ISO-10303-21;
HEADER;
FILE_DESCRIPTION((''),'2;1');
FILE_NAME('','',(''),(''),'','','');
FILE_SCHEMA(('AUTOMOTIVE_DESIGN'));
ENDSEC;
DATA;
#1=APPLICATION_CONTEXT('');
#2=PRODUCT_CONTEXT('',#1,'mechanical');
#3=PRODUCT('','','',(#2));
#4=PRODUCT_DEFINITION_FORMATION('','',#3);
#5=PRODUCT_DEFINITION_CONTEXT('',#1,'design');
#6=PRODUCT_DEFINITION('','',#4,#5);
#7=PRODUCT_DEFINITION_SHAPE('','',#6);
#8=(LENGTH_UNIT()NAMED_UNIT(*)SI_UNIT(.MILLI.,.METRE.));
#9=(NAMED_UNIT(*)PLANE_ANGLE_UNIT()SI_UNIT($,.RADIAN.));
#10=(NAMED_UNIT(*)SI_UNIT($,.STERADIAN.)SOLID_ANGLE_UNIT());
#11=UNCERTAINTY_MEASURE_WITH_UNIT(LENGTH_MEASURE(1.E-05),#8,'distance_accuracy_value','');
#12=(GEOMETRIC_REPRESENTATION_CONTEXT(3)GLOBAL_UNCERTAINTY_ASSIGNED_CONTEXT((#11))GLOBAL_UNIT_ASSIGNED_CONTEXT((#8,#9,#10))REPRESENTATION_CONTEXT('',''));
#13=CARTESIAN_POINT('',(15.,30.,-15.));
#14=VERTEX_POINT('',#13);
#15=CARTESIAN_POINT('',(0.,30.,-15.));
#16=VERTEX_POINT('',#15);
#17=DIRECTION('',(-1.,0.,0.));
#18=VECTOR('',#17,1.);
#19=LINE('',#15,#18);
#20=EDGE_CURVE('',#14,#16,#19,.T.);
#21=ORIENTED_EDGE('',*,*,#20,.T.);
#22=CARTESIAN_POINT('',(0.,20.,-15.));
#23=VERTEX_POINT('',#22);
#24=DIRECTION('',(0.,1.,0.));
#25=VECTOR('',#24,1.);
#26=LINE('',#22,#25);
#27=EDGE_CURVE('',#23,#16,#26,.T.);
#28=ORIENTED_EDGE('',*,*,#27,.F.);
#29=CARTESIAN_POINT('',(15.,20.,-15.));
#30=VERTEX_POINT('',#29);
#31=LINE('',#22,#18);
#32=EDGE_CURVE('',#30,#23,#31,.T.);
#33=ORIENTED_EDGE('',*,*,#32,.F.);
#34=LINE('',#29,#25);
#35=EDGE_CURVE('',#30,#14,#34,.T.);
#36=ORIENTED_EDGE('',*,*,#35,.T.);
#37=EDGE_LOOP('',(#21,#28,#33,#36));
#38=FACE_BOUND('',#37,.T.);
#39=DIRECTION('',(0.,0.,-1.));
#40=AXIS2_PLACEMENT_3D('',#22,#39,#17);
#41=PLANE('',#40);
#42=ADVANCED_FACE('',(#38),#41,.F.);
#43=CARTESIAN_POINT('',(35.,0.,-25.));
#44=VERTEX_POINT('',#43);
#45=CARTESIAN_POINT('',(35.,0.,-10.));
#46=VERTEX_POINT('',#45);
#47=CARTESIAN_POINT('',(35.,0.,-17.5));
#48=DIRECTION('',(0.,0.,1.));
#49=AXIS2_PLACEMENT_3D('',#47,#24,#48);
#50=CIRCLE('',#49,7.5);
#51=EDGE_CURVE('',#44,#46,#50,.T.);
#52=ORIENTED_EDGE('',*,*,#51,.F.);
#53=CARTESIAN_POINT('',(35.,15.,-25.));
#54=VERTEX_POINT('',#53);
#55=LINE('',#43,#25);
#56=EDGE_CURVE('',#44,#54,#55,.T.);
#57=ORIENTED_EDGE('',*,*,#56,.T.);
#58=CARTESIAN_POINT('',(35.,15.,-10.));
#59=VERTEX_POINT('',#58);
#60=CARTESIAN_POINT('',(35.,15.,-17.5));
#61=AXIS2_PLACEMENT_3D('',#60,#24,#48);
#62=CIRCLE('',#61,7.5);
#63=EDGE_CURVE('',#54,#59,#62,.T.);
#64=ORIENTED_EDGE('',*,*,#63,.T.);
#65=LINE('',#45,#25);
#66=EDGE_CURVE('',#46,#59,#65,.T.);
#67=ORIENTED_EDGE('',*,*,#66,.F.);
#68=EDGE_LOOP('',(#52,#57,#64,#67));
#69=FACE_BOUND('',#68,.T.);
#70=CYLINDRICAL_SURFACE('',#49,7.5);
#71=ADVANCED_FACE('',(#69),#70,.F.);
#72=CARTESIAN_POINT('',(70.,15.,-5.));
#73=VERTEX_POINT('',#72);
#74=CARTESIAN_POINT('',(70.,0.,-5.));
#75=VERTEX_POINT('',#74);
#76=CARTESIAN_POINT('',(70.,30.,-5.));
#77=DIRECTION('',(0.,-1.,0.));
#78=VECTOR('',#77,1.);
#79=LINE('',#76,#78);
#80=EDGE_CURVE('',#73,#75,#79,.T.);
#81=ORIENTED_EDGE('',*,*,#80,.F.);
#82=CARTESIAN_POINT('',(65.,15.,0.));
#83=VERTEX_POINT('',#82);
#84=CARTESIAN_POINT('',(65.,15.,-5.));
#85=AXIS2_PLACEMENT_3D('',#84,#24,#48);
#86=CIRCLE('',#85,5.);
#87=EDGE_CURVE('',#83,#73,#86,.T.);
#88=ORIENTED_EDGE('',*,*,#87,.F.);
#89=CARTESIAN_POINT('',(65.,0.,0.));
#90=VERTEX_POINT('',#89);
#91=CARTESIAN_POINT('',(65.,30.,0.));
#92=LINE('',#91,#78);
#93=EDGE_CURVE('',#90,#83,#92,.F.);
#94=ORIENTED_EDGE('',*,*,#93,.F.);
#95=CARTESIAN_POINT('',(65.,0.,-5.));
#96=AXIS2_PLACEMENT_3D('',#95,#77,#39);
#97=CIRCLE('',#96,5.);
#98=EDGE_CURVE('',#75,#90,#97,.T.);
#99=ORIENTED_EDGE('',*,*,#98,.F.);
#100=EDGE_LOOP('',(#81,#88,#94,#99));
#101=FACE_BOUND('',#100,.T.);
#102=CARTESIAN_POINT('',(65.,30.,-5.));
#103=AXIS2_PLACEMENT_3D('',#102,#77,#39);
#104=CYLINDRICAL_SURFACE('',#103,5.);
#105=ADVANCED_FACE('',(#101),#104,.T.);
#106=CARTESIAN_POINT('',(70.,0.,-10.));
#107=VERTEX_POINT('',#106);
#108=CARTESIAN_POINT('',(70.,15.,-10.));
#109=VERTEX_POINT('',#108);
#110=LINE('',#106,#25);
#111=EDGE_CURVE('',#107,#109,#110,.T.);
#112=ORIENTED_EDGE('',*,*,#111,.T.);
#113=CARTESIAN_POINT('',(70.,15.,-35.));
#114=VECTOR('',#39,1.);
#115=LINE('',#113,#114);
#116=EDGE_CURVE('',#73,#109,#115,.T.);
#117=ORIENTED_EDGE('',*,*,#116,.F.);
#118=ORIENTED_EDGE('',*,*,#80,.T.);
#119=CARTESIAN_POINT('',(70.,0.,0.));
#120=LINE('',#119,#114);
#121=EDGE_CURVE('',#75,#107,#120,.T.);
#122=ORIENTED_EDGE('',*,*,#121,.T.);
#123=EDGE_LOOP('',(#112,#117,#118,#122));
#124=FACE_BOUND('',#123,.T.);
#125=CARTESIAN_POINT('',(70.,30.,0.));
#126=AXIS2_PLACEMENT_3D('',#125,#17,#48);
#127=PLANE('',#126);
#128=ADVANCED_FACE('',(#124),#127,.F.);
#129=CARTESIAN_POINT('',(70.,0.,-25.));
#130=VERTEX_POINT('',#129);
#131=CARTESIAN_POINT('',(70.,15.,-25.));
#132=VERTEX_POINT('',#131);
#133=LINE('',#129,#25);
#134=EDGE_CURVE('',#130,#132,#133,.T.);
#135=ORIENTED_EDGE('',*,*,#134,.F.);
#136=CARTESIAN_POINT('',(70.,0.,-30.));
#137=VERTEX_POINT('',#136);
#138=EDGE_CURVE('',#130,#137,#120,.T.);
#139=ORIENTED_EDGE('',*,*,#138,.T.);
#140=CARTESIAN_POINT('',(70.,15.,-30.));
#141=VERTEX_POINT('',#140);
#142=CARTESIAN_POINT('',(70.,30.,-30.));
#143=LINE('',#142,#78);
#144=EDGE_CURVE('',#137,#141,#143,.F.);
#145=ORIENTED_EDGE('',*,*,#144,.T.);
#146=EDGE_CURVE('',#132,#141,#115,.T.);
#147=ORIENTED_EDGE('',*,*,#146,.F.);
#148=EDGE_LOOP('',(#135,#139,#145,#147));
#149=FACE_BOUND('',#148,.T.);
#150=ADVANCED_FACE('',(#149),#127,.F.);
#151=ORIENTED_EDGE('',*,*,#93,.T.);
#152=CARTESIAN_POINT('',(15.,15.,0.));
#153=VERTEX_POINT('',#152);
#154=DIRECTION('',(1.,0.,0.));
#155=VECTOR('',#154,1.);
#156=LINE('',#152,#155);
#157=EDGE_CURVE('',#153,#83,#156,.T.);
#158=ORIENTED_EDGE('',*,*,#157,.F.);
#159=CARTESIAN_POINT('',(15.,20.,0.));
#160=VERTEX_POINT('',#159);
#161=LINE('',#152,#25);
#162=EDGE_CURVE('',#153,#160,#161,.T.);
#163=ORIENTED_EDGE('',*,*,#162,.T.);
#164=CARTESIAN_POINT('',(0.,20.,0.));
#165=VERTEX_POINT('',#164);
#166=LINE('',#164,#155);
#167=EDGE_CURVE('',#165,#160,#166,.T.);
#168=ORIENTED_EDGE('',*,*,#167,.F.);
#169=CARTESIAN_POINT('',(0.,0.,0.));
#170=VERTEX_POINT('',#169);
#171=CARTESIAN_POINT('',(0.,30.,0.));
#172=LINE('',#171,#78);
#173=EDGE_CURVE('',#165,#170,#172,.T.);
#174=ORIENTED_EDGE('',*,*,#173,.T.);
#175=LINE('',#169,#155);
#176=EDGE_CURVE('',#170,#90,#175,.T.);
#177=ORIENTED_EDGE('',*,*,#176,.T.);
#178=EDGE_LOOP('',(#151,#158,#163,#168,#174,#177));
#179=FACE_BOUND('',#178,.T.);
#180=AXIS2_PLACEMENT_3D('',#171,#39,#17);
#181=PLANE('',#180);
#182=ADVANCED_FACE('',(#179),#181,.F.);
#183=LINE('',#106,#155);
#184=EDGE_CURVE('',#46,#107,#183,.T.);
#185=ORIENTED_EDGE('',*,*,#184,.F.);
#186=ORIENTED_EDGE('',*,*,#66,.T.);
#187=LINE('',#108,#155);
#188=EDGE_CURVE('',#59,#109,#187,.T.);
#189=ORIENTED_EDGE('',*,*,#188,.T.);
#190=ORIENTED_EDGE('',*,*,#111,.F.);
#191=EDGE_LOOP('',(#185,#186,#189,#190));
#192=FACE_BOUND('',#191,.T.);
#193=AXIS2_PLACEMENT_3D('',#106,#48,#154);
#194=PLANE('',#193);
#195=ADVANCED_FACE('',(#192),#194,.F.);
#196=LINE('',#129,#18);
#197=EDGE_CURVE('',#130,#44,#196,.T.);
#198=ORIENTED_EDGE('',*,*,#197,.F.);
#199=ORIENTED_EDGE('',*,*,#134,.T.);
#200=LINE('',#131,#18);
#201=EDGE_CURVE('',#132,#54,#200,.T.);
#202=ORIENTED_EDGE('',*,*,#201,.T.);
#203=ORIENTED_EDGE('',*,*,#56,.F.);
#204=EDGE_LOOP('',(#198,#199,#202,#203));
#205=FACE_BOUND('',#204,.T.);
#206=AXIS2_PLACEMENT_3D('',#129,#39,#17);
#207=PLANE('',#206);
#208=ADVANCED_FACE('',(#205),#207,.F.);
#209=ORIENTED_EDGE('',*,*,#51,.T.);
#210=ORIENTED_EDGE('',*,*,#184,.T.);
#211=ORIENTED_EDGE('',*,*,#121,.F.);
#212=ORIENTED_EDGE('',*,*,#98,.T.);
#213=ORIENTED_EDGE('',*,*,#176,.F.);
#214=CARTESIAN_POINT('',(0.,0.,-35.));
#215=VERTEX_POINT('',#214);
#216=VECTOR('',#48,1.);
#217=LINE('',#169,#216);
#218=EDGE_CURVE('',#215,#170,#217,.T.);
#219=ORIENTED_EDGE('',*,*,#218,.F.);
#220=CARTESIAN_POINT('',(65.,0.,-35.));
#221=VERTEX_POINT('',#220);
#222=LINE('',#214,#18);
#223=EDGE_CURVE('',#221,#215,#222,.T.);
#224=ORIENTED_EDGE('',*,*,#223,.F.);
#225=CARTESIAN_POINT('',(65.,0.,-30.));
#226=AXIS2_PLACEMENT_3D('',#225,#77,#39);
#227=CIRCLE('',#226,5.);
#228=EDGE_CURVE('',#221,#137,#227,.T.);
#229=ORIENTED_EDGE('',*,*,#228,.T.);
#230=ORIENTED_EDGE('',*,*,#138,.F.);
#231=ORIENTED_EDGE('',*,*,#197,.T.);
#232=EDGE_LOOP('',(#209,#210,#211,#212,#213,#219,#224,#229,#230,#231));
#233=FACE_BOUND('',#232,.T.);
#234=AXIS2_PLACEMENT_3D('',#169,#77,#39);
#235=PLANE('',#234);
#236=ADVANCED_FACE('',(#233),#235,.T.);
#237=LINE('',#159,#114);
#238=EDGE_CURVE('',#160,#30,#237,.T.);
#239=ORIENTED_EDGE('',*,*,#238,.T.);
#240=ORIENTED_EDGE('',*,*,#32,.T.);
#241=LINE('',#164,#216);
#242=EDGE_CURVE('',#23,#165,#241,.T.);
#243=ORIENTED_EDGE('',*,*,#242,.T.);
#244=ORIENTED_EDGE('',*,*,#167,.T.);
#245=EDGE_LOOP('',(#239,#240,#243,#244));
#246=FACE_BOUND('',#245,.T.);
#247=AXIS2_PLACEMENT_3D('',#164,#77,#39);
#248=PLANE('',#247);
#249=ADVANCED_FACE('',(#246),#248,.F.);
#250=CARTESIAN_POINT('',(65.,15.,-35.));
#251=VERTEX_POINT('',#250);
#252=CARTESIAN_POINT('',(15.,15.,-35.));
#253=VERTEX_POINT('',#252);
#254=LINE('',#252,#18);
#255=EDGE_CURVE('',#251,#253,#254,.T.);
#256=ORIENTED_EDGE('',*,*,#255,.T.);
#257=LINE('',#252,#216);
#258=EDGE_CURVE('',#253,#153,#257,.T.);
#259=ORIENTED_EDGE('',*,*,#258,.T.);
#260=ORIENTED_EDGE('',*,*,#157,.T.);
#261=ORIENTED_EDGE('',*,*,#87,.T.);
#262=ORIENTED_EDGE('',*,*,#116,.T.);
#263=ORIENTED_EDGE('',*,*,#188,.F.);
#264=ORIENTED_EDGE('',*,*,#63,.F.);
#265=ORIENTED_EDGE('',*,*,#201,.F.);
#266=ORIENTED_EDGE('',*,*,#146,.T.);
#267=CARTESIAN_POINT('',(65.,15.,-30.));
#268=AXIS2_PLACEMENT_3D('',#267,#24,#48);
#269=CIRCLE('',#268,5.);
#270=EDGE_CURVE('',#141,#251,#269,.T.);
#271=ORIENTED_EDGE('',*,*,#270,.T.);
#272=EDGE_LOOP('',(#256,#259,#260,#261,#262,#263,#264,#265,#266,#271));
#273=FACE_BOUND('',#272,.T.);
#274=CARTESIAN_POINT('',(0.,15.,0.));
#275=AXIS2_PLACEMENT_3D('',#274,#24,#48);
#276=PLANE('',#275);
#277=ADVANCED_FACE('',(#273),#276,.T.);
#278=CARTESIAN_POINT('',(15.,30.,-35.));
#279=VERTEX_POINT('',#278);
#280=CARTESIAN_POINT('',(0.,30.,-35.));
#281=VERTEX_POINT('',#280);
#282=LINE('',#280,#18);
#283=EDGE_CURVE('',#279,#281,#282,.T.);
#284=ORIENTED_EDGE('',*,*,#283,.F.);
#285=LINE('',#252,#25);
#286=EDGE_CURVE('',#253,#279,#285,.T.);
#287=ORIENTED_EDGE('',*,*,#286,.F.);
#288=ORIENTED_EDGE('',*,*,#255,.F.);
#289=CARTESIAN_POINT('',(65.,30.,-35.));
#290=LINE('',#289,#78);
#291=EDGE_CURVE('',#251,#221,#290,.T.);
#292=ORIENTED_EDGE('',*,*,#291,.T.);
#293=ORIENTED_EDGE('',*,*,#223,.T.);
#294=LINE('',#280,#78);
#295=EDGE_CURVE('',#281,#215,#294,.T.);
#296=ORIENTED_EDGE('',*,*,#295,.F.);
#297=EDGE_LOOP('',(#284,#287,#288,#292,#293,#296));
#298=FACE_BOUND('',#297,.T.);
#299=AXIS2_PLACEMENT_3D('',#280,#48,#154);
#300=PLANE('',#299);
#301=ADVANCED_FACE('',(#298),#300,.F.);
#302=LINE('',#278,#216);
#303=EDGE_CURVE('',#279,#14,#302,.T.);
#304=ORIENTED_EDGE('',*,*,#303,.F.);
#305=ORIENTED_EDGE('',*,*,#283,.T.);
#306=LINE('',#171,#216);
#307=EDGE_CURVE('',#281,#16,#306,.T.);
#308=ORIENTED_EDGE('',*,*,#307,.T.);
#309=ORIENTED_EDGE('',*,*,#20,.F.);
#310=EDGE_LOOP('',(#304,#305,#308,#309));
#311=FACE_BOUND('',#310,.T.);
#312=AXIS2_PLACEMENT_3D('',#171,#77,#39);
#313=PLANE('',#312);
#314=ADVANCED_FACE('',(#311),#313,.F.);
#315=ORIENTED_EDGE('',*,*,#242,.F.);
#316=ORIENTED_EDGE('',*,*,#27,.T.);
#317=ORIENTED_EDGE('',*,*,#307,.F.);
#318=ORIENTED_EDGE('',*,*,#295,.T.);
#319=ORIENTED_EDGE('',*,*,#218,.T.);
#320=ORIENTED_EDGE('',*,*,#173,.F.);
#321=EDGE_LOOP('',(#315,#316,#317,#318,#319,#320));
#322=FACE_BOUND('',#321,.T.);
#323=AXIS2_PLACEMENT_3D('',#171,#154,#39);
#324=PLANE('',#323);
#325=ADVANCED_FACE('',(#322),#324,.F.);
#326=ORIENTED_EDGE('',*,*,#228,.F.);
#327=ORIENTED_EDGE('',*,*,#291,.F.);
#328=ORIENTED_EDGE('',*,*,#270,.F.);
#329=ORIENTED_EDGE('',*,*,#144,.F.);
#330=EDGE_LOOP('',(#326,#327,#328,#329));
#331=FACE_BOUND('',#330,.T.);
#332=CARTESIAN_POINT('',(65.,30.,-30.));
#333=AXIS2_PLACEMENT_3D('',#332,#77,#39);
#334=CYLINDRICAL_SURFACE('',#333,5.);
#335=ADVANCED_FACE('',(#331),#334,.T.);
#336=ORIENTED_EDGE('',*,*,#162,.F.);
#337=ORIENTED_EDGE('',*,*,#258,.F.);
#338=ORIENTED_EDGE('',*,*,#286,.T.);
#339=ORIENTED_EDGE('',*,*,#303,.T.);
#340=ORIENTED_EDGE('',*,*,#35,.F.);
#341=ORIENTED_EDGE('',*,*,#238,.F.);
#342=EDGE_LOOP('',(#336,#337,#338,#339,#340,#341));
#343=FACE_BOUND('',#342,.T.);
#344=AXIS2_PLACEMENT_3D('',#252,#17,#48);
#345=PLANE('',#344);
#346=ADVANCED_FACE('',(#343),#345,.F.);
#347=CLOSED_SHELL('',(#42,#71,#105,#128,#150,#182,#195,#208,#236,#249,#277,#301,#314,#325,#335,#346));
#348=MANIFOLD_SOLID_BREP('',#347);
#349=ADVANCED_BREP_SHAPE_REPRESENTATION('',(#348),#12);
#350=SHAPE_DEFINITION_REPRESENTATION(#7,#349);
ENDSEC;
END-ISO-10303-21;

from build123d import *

# Parameters (mm, degrees)
SKETCH1_W           = 70
SKETCH1_H           = 35
BOSS_EXTRUDE1_DEPTH = 30
SKETCH2_W           = 55
SKETCH2_H           = 35
CUT_EXTRUDE1_DEPTH  = 15
SKETCH3_W           = 15
SKETCH3_H           = 15
CUT_EXTRUDE2_DEPTH  = 10
FILLET1_R           = 5
SKETCH4_W           = 35
SKETCH4_H           = 15
CUT_EXTRUDE3_DEPTH  = 16
SKETCH5_R           = 7.5
CUT_EXTRUDE4_DEPTH  = 16


with BuildPart() as part:
    # Sketch1 → Boss-Extrude1 (new body)
    with BuildSketch(Plane(origin=(0, 0, 0), x_dir=(1, 0, 0), z_dir=(0, 1, 0))):
        with Locations((35, 17.5)):
            Rectangle(SKETCH1_W, SKETCH1_H)
    extrude(amount=BOSS_EXTRUDE1_DEPTH)

    # Sketch2 → Cut-Extrude1 (cut)
    with BuildSketch(Plane(origin=(0, 30, 0), x_dir=(1, 0, 0), z_dir=(0, 1, 0))):
        with Locations((42.5, 17.5)):
            Rectangle(SKETCH2_W, SKETCH2_H)
    extrude(amount=-CUT_EXTRUDE1_DEPTH, mode=Mode.SUBTRACT)

    # Sketch3 → Cut-Extrude2 (cut)
    with BuildSketch(Plane(origin=(0, 30, 0), x_dir=(1, 0, 0), z_dir=(0, 1, 0))):
        with Locations((7.5, 7.5)):
            Rectangle(SKETCH3_W, SKETCH3_H)
    extrude(amount=-CUT_EXTRUDE2_DEPTH, mode=Mode.SUBTRACT)

    # Fillet1
    fillet1_edges = [part.edges().sort_by_distance(p)[0] for p in [
        (70, 7.5, -35),
        (70, 7.5, 0),
    ]]
    fillet(fillet1_edges, radius=FILLET1_R)

    # Sketch4 → Cut-Extrude3 (cut, through all)
    with BuildSketch(Plane(origin=(0, 15, 0), x_dir=(1, 0, 0), z_dir=(0, 1, 0))):
        with Locations((52.5, 17.5)):
            Rectangle(SKETCH4_W, SKETCH4_H)
    extrude(amount=-CUT_EXTRUDE3_DEPTH, mode=Mode.SUBTRACT)

    # Sketch5 → Cut-Extrude4 (cut, through all)
    with BuildSketch(Plane(origin=(0, 15, 0), x_dir=(1, 0, 0), z_dir=(0, 1, 0))):
        with Locations((35, 17.5)):
            Circle(SKETCH5_R)
    extrude(amount=-CUT_EXTRUDE4_DEPTH, mode=Mode.SUBTRACT)


solid = part.part
